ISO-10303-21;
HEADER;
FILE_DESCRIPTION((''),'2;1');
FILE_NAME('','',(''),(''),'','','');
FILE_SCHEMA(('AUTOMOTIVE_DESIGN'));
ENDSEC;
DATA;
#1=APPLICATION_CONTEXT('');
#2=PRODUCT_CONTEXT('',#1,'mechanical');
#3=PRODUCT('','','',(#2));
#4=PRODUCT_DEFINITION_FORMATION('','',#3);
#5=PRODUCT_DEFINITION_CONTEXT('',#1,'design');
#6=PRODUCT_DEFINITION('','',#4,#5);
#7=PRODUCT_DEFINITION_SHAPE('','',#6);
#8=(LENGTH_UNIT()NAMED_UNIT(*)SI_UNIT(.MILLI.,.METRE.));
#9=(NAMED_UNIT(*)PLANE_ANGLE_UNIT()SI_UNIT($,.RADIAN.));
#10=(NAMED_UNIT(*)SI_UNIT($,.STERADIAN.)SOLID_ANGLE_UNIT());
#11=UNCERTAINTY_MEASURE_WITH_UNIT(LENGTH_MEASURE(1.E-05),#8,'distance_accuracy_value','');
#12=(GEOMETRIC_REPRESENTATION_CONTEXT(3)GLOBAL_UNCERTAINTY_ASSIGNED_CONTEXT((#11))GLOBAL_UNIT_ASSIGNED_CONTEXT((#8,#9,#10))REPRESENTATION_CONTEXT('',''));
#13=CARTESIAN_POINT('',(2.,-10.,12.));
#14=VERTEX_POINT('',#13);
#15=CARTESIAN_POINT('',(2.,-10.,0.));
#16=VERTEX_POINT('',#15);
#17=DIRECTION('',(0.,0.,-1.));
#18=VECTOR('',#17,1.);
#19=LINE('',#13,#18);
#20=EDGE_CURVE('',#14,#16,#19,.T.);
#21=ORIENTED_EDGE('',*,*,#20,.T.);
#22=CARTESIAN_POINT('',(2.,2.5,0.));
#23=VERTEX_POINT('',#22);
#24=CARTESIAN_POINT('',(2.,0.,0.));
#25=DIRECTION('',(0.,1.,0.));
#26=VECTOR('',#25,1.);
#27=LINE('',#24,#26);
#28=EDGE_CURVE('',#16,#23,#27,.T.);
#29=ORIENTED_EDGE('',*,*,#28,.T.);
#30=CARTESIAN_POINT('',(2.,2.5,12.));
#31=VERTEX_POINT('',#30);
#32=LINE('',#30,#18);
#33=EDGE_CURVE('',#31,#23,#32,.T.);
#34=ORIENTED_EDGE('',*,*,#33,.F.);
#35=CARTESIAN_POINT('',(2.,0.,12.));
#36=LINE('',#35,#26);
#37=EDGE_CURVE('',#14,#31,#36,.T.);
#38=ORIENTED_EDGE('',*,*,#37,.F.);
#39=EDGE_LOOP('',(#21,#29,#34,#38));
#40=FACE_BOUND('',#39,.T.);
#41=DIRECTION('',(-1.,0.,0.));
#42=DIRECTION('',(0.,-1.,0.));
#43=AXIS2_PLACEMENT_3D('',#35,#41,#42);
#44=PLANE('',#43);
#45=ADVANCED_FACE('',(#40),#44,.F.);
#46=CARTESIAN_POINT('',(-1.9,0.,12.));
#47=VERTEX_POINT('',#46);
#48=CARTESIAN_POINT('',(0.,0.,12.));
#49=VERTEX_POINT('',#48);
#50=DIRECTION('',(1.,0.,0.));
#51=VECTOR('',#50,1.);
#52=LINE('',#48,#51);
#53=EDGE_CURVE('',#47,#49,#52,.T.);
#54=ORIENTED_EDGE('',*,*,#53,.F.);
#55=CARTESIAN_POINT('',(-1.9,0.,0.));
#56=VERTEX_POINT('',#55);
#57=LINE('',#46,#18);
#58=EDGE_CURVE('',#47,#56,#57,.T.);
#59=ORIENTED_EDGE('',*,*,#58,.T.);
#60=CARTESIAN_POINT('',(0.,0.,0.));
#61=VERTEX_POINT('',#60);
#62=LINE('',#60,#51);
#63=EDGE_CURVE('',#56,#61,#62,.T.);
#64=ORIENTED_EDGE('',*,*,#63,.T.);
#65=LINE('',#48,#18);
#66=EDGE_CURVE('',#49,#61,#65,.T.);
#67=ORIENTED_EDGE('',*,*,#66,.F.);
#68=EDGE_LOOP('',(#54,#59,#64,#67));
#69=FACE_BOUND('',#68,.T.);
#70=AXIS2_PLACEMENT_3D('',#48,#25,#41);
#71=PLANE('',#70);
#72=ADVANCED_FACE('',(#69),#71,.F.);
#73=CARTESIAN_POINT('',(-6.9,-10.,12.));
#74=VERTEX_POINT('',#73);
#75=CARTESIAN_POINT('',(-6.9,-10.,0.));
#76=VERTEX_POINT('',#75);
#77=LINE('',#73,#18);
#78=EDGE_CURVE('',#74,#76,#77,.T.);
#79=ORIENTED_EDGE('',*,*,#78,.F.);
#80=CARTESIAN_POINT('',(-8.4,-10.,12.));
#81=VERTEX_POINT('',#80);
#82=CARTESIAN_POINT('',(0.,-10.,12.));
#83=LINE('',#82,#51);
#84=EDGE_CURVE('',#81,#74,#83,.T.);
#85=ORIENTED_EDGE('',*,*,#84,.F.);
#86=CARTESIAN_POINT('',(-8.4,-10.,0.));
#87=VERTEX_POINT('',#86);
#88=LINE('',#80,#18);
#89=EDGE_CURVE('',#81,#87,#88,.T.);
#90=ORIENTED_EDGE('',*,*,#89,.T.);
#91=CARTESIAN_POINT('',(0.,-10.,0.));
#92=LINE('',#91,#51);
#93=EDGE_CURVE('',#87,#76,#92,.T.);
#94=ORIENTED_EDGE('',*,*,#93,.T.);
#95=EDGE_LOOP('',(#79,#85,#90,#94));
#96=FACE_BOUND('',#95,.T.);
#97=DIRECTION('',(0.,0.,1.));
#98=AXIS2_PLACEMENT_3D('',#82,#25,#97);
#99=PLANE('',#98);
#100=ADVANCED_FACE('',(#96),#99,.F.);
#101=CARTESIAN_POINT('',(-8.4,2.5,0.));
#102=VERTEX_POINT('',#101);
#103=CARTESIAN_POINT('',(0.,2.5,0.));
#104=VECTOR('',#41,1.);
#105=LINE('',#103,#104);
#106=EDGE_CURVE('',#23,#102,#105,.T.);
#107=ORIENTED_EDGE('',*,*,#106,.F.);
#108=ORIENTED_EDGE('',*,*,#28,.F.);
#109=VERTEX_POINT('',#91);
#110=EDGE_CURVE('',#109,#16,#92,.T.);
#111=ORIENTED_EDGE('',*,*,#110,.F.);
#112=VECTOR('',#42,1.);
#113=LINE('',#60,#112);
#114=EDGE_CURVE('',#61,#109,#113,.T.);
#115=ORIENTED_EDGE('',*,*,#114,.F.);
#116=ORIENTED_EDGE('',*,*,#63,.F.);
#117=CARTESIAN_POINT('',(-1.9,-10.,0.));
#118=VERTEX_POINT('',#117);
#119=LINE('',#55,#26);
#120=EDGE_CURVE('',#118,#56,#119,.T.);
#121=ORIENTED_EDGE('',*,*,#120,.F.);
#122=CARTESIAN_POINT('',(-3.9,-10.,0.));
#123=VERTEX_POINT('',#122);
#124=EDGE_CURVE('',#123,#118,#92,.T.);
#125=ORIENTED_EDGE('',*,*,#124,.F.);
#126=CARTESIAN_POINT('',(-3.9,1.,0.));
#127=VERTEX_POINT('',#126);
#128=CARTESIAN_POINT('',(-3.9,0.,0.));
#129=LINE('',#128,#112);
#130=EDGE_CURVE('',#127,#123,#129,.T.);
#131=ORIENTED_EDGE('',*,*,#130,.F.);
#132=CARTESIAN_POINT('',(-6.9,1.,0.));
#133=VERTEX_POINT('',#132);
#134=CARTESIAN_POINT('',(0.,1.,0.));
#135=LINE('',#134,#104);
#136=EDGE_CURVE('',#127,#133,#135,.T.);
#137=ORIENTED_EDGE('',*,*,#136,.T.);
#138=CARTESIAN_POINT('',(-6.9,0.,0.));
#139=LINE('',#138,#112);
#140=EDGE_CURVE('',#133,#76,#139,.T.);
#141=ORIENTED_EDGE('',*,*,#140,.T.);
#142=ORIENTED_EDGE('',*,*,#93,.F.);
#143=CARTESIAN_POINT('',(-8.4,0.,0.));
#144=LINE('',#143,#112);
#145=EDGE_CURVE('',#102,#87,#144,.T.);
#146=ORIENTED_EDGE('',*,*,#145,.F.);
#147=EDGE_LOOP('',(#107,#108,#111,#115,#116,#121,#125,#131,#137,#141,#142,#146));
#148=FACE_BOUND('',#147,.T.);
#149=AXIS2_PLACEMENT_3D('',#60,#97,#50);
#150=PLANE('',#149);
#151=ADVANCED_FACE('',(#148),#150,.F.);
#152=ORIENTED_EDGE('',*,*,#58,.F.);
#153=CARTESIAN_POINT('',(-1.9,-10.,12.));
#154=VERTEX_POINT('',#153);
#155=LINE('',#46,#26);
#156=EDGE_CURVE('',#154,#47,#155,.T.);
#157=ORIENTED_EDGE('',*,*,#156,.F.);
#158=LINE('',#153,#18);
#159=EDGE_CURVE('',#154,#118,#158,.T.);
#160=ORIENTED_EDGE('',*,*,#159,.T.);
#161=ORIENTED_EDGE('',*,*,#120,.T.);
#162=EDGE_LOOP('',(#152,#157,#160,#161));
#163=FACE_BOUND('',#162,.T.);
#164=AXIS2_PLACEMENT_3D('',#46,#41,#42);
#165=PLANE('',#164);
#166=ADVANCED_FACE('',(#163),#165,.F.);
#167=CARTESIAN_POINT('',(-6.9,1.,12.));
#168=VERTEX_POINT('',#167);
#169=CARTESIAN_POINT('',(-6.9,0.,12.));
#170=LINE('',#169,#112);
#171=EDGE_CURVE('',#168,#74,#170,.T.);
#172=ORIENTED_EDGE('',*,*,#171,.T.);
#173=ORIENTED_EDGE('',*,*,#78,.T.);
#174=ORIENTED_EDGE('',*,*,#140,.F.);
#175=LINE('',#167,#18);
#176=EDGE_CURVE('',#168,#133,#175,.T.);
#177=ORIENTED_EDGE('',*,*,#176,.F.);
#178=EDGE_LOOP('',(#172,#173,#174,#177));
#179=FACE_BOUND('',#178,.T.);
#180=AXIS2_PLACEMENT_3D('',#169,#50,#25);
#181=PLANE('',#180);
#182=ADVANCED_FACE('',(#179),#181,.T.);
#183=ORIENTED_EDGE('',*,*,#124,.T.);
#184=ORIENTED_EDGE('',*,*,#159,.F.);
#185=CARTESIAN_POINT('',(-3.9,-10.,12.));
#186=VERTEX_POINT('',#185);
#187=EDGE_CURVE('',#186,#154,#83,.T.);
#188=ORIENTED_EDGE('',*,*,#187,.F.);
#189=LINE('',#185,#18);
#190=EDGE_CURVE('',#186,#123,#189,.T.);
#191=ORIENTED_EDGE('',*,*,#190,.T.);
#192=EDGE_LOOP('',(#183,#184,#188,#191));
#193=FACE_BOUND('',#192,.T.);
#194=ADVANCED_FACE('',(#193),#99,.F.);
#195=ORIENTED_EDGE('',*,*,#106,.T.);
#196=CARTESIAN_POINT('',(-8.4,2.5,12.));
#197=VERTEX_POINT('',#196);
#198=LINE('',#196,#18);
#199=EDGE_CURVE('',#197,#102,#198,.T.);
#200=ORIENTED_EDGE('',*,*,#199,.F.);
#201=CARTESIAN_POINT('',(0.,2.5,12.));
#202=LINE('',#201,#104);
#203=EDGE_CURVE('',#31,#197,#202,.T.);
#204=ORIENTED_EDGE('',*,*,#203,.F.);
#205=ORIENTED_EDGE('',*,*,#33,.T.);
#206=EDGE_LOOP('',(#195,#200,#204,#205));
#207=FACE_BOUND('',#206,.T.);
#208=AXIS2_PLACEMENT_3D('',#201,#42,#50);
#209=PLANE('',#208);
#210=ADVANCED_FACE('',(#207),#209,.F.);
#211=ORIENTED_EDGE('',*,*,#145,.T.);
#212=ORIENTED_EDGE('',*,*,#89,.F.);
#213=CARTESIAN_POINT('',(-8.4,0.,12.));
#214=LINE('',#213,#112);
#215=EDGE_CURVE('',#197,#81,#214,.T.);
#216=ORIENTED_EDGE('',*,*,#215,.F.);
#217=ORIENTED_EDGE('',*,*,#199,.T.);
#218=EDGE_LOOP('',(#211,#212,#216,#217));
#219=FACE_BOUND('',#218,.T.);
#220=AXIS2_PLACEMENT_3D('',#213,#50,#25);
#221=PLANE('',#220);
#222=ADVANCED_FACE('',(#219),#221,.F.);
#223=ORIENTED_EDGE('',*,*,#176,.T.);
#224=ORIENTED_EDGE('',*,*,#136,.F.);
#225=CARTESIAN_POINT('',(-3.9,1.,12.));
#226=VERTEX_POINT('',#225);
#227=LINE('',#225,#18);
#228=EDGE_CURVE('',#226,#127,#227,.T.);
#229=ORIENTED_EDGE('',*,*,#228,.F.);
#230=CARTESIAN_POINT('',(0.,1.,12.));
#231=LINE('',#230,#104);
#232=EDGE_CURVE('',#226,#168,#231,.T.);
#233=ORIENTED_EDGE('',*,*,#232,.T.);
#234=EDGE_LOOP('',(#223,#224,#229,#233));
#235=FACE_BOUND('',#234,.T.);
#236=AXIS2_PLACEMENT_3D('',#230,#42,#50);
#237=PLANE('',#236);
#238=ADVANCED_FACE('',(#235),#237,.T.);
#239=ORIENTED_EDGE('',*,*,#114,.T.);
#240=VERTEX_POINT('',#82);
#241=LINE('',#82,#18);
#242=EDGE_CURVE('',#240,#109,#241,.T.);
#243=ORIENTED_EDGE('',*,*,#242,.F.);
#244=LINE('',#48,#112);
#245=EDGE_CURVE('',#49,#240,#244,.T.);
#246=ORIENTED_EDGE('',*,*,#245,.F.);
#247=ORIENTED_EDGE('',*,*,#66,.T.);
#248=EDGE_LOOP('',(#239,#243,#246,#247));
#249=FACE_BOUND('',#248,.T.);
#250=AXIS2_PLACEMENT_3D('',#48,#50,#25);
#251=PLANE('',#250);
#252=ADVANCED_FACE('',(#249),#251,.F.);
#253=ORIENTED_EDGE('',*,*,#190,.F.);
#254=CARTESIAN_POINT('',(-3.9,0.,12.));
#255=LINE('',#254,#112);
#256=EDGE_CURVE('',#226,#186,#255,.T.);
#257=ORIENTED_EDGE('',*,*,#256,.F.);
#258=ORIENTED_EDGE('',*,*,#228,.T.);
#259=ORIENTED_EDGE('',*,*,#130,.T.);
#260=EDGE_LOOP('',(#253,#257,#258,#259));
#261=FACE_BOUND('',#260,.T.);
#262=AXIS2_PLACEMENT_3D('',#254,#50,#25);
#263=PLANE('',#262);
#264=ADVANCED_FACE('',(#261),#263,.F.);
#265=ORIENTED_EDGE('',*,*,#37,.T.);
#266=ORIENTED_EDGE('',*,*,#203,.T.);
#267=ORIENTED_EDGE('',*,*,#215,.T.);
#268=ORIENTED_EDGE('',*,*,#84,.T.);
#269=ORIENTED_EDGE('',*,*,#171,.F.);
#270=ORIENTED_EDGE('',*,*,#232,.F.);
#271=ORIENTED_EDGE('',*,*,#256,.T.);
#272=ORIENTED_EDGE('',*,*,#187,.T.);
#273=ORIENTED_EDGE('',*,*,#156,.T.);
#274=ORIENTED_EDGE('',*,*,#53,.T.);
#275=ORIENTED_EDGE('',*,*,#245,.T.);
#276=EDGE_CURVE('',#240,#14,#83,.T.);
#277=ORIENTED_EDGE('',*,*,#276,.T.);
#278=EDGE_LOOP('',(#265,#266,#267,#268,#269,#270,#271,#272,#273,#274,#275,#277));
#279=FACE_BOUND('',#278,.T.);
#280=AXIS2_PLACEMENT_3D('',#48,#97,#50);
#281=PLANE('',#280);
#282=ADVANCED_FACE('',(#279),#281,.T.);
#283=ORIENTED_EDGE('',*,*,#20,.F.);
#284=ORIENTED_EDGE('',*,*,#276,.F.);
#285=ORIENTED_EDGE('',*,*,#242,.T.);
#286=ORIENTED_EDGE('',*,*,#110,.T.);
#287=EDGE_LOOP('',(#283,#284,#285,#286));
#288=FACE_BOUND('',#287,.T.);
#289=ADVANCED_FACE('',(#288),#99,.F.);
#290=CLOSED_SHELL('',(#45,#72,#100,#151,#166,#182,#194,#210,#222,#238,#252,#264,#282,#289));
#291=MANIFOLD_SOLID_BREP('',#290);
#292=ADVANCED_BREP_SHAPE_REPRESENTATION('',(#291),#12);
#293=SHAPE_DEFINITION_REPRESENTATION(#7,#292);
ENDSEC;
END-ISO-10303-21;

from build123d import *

# Parameters (mm, degrees)
BOSS_EXTRUDE1_DEPTH = 12


with BuildPart() as part:
    # Sketch1 → Boss-Extrude1 (new body)
    with BuildSketch(Plane.XY):
        Polygon((-3.9, -10), (-1.9, -10), (-1.9, 0), (0, 0), (0, -10), (2, -10), (2, 2.5), (-5, 2.5), (-8, 2.5), (-8.4, 2.5), (-8.4, -10), (-6.9, -10), (-6.9, -1), (-6.9, 1), (-3.9, 1), align=None)
    extrude(amount=BOSS_EXTRUDE1_DEPTH)


solid = part.part
